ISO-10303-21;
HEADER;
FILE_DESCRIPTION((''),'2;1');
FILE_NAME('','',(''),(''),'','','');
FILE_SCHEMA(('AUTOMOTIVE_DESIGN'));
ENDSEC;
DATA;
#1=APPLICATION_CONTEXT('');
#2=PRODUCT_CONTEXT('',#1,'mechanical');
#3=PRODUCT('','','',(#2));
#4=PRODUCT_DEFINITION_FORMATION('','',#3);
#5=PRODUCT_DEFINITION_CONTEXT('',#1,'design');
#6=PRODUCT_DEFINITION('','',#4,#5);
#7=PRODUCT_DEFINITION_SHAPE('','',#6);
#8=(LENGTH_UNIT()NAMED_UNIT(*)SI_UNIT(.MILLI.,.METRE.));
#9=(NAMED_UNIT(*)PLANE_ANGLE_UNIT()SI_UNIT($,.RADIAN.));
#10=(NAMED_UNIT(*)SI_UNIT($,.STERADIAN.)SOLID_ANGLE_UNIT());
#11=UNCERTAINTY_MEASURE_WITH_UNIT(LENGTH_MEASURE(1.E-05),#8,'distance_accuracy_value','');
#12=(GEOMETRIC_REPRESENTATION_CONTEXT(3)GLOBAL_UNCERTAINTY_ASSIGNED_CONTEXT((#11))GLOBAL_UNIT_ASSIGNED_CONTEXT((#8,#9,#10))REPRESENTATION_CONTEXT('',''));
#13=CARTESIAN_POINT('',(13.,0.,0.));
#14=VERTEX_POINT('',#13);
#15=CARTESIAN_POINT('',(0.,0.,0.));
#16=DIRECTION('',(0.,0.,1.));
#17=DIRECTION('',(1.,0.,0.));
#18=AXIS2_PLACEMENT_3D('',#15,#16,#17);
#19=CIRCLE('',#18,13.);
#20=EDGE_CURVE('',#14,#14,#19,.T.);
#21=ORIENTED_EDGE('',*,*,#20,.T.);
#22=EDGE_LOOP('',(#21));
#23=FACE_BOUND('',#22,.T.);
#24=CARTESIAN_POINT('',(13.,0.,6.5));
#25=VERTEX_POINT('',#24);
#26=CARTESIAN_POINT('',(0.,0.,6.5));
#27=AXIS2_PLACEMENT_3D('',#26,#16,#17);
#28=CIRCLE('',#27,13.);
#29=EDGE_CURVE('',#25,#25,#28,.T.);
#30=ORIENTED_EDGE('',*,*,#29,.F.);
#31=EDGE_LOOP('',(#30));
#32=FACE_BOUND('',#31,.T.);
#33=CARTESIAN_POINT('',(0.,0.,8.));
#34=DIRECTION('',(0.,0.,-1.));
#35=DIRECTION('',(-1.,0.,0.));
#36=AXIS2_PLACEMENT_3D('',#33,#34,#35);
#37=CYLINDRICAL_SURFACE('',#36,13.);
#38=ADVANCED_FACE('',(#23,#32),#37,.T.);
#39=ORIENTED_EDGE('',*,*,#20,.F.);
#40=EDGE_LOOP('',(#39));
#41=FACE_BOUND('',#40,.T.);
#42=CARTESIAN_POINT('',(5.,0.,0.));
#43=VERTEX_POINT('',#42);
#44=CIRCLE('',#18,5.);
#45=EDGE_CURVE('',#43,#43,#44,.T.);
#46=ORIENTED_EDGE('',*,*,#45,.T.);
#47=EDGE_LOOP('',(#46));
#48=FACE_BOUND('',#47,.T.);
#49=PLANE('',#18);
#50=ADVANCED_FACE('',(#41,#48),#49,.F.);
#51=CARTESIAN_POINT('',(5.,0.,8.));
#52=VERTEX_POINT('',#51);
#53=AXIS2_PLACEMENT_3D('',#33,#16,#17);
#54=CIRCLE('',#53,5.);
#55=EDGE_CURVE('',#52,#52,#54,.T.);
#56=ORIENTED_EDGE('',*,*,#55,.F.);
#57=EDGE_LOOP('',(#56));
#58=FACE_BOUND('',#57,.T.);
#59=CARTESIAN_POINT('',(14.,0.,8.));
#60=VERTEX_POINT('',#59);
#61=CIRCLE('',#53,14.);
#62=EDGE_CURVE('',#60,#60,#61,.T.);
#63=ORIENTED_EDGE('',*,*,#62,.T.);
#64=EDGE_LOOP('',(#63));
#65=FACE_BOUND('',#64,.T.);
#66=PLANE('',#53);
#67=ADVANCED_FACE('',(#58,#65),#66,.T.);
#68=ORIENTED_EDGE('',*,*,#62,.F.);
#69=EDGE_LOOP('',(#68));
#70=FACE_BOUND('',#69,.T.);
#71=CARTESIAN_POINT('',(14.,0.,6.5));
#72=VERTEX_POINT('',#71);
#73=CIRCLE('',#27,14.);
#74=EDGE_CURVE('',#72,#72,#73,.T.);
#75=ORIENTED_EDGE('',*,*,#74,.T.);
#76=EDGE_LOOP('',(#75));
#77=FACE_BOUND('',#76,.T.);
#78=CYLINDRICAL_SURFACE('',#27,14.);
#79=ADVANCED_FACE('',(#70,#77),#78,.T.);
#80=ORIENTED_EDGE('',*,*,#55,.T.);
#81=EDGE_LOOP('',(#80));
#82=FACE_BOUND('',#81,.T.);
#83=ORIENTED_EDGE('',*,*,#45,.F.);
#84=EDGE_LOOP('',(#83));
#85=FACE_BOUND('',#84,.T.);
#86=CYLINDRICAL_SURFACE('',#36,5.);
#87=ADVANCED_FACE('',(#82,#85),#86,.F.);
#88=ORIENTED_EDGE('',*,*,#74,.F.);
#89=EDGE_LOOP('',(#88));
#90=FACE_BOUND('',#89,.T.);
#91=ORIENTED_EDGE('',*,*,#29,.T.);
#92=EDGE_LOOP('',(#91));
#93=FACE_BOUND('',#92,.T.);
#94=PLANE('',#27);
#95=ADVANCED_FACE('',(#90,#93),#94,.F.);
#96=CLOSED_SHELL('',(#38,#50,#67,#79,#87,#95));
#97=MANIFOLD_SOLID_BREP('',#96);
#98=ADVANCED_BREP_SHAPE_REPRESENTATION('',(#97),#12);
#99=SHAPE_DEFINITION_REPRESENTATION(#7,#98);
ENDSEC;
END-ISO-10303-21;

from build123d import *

# Parameters (mm, degrees)
SKETCH_2_R      = 13
SKETCH_2_R_2    = 5
EXTRUDE_1_DEPTH = 8
EXTRUDE_START   = -1.5
SKETCH_3_R      = 14
SKETCH_3_R_2    = 5
EXTRUDE_2_DEPTH = 1.5


with BuildPart() as part:
    # 草图2 → 凸台-拉伸1 (new body)
    with BuildSketch(Plane.XY):
        Circle(SKETCH_2_R)
        Circle(SKETCH_2_R_2, mode=Mode.SUBTRACT)
    extrude(amount=EXTRUDE_1_DEPTH)

    # 草图3 → 凸台-拉伸2 (add)
    with BuildSketch(Plane.XY.offset(8).offset(EXTRUDE_START)):
        Circle(SKETCH_3_R)
        Circle(SKETCH_3_R_2, mode=Mode.SUBTRACT)
    extrude(amount=EXTRUDE_2_DEPTH)


solid = part.part
